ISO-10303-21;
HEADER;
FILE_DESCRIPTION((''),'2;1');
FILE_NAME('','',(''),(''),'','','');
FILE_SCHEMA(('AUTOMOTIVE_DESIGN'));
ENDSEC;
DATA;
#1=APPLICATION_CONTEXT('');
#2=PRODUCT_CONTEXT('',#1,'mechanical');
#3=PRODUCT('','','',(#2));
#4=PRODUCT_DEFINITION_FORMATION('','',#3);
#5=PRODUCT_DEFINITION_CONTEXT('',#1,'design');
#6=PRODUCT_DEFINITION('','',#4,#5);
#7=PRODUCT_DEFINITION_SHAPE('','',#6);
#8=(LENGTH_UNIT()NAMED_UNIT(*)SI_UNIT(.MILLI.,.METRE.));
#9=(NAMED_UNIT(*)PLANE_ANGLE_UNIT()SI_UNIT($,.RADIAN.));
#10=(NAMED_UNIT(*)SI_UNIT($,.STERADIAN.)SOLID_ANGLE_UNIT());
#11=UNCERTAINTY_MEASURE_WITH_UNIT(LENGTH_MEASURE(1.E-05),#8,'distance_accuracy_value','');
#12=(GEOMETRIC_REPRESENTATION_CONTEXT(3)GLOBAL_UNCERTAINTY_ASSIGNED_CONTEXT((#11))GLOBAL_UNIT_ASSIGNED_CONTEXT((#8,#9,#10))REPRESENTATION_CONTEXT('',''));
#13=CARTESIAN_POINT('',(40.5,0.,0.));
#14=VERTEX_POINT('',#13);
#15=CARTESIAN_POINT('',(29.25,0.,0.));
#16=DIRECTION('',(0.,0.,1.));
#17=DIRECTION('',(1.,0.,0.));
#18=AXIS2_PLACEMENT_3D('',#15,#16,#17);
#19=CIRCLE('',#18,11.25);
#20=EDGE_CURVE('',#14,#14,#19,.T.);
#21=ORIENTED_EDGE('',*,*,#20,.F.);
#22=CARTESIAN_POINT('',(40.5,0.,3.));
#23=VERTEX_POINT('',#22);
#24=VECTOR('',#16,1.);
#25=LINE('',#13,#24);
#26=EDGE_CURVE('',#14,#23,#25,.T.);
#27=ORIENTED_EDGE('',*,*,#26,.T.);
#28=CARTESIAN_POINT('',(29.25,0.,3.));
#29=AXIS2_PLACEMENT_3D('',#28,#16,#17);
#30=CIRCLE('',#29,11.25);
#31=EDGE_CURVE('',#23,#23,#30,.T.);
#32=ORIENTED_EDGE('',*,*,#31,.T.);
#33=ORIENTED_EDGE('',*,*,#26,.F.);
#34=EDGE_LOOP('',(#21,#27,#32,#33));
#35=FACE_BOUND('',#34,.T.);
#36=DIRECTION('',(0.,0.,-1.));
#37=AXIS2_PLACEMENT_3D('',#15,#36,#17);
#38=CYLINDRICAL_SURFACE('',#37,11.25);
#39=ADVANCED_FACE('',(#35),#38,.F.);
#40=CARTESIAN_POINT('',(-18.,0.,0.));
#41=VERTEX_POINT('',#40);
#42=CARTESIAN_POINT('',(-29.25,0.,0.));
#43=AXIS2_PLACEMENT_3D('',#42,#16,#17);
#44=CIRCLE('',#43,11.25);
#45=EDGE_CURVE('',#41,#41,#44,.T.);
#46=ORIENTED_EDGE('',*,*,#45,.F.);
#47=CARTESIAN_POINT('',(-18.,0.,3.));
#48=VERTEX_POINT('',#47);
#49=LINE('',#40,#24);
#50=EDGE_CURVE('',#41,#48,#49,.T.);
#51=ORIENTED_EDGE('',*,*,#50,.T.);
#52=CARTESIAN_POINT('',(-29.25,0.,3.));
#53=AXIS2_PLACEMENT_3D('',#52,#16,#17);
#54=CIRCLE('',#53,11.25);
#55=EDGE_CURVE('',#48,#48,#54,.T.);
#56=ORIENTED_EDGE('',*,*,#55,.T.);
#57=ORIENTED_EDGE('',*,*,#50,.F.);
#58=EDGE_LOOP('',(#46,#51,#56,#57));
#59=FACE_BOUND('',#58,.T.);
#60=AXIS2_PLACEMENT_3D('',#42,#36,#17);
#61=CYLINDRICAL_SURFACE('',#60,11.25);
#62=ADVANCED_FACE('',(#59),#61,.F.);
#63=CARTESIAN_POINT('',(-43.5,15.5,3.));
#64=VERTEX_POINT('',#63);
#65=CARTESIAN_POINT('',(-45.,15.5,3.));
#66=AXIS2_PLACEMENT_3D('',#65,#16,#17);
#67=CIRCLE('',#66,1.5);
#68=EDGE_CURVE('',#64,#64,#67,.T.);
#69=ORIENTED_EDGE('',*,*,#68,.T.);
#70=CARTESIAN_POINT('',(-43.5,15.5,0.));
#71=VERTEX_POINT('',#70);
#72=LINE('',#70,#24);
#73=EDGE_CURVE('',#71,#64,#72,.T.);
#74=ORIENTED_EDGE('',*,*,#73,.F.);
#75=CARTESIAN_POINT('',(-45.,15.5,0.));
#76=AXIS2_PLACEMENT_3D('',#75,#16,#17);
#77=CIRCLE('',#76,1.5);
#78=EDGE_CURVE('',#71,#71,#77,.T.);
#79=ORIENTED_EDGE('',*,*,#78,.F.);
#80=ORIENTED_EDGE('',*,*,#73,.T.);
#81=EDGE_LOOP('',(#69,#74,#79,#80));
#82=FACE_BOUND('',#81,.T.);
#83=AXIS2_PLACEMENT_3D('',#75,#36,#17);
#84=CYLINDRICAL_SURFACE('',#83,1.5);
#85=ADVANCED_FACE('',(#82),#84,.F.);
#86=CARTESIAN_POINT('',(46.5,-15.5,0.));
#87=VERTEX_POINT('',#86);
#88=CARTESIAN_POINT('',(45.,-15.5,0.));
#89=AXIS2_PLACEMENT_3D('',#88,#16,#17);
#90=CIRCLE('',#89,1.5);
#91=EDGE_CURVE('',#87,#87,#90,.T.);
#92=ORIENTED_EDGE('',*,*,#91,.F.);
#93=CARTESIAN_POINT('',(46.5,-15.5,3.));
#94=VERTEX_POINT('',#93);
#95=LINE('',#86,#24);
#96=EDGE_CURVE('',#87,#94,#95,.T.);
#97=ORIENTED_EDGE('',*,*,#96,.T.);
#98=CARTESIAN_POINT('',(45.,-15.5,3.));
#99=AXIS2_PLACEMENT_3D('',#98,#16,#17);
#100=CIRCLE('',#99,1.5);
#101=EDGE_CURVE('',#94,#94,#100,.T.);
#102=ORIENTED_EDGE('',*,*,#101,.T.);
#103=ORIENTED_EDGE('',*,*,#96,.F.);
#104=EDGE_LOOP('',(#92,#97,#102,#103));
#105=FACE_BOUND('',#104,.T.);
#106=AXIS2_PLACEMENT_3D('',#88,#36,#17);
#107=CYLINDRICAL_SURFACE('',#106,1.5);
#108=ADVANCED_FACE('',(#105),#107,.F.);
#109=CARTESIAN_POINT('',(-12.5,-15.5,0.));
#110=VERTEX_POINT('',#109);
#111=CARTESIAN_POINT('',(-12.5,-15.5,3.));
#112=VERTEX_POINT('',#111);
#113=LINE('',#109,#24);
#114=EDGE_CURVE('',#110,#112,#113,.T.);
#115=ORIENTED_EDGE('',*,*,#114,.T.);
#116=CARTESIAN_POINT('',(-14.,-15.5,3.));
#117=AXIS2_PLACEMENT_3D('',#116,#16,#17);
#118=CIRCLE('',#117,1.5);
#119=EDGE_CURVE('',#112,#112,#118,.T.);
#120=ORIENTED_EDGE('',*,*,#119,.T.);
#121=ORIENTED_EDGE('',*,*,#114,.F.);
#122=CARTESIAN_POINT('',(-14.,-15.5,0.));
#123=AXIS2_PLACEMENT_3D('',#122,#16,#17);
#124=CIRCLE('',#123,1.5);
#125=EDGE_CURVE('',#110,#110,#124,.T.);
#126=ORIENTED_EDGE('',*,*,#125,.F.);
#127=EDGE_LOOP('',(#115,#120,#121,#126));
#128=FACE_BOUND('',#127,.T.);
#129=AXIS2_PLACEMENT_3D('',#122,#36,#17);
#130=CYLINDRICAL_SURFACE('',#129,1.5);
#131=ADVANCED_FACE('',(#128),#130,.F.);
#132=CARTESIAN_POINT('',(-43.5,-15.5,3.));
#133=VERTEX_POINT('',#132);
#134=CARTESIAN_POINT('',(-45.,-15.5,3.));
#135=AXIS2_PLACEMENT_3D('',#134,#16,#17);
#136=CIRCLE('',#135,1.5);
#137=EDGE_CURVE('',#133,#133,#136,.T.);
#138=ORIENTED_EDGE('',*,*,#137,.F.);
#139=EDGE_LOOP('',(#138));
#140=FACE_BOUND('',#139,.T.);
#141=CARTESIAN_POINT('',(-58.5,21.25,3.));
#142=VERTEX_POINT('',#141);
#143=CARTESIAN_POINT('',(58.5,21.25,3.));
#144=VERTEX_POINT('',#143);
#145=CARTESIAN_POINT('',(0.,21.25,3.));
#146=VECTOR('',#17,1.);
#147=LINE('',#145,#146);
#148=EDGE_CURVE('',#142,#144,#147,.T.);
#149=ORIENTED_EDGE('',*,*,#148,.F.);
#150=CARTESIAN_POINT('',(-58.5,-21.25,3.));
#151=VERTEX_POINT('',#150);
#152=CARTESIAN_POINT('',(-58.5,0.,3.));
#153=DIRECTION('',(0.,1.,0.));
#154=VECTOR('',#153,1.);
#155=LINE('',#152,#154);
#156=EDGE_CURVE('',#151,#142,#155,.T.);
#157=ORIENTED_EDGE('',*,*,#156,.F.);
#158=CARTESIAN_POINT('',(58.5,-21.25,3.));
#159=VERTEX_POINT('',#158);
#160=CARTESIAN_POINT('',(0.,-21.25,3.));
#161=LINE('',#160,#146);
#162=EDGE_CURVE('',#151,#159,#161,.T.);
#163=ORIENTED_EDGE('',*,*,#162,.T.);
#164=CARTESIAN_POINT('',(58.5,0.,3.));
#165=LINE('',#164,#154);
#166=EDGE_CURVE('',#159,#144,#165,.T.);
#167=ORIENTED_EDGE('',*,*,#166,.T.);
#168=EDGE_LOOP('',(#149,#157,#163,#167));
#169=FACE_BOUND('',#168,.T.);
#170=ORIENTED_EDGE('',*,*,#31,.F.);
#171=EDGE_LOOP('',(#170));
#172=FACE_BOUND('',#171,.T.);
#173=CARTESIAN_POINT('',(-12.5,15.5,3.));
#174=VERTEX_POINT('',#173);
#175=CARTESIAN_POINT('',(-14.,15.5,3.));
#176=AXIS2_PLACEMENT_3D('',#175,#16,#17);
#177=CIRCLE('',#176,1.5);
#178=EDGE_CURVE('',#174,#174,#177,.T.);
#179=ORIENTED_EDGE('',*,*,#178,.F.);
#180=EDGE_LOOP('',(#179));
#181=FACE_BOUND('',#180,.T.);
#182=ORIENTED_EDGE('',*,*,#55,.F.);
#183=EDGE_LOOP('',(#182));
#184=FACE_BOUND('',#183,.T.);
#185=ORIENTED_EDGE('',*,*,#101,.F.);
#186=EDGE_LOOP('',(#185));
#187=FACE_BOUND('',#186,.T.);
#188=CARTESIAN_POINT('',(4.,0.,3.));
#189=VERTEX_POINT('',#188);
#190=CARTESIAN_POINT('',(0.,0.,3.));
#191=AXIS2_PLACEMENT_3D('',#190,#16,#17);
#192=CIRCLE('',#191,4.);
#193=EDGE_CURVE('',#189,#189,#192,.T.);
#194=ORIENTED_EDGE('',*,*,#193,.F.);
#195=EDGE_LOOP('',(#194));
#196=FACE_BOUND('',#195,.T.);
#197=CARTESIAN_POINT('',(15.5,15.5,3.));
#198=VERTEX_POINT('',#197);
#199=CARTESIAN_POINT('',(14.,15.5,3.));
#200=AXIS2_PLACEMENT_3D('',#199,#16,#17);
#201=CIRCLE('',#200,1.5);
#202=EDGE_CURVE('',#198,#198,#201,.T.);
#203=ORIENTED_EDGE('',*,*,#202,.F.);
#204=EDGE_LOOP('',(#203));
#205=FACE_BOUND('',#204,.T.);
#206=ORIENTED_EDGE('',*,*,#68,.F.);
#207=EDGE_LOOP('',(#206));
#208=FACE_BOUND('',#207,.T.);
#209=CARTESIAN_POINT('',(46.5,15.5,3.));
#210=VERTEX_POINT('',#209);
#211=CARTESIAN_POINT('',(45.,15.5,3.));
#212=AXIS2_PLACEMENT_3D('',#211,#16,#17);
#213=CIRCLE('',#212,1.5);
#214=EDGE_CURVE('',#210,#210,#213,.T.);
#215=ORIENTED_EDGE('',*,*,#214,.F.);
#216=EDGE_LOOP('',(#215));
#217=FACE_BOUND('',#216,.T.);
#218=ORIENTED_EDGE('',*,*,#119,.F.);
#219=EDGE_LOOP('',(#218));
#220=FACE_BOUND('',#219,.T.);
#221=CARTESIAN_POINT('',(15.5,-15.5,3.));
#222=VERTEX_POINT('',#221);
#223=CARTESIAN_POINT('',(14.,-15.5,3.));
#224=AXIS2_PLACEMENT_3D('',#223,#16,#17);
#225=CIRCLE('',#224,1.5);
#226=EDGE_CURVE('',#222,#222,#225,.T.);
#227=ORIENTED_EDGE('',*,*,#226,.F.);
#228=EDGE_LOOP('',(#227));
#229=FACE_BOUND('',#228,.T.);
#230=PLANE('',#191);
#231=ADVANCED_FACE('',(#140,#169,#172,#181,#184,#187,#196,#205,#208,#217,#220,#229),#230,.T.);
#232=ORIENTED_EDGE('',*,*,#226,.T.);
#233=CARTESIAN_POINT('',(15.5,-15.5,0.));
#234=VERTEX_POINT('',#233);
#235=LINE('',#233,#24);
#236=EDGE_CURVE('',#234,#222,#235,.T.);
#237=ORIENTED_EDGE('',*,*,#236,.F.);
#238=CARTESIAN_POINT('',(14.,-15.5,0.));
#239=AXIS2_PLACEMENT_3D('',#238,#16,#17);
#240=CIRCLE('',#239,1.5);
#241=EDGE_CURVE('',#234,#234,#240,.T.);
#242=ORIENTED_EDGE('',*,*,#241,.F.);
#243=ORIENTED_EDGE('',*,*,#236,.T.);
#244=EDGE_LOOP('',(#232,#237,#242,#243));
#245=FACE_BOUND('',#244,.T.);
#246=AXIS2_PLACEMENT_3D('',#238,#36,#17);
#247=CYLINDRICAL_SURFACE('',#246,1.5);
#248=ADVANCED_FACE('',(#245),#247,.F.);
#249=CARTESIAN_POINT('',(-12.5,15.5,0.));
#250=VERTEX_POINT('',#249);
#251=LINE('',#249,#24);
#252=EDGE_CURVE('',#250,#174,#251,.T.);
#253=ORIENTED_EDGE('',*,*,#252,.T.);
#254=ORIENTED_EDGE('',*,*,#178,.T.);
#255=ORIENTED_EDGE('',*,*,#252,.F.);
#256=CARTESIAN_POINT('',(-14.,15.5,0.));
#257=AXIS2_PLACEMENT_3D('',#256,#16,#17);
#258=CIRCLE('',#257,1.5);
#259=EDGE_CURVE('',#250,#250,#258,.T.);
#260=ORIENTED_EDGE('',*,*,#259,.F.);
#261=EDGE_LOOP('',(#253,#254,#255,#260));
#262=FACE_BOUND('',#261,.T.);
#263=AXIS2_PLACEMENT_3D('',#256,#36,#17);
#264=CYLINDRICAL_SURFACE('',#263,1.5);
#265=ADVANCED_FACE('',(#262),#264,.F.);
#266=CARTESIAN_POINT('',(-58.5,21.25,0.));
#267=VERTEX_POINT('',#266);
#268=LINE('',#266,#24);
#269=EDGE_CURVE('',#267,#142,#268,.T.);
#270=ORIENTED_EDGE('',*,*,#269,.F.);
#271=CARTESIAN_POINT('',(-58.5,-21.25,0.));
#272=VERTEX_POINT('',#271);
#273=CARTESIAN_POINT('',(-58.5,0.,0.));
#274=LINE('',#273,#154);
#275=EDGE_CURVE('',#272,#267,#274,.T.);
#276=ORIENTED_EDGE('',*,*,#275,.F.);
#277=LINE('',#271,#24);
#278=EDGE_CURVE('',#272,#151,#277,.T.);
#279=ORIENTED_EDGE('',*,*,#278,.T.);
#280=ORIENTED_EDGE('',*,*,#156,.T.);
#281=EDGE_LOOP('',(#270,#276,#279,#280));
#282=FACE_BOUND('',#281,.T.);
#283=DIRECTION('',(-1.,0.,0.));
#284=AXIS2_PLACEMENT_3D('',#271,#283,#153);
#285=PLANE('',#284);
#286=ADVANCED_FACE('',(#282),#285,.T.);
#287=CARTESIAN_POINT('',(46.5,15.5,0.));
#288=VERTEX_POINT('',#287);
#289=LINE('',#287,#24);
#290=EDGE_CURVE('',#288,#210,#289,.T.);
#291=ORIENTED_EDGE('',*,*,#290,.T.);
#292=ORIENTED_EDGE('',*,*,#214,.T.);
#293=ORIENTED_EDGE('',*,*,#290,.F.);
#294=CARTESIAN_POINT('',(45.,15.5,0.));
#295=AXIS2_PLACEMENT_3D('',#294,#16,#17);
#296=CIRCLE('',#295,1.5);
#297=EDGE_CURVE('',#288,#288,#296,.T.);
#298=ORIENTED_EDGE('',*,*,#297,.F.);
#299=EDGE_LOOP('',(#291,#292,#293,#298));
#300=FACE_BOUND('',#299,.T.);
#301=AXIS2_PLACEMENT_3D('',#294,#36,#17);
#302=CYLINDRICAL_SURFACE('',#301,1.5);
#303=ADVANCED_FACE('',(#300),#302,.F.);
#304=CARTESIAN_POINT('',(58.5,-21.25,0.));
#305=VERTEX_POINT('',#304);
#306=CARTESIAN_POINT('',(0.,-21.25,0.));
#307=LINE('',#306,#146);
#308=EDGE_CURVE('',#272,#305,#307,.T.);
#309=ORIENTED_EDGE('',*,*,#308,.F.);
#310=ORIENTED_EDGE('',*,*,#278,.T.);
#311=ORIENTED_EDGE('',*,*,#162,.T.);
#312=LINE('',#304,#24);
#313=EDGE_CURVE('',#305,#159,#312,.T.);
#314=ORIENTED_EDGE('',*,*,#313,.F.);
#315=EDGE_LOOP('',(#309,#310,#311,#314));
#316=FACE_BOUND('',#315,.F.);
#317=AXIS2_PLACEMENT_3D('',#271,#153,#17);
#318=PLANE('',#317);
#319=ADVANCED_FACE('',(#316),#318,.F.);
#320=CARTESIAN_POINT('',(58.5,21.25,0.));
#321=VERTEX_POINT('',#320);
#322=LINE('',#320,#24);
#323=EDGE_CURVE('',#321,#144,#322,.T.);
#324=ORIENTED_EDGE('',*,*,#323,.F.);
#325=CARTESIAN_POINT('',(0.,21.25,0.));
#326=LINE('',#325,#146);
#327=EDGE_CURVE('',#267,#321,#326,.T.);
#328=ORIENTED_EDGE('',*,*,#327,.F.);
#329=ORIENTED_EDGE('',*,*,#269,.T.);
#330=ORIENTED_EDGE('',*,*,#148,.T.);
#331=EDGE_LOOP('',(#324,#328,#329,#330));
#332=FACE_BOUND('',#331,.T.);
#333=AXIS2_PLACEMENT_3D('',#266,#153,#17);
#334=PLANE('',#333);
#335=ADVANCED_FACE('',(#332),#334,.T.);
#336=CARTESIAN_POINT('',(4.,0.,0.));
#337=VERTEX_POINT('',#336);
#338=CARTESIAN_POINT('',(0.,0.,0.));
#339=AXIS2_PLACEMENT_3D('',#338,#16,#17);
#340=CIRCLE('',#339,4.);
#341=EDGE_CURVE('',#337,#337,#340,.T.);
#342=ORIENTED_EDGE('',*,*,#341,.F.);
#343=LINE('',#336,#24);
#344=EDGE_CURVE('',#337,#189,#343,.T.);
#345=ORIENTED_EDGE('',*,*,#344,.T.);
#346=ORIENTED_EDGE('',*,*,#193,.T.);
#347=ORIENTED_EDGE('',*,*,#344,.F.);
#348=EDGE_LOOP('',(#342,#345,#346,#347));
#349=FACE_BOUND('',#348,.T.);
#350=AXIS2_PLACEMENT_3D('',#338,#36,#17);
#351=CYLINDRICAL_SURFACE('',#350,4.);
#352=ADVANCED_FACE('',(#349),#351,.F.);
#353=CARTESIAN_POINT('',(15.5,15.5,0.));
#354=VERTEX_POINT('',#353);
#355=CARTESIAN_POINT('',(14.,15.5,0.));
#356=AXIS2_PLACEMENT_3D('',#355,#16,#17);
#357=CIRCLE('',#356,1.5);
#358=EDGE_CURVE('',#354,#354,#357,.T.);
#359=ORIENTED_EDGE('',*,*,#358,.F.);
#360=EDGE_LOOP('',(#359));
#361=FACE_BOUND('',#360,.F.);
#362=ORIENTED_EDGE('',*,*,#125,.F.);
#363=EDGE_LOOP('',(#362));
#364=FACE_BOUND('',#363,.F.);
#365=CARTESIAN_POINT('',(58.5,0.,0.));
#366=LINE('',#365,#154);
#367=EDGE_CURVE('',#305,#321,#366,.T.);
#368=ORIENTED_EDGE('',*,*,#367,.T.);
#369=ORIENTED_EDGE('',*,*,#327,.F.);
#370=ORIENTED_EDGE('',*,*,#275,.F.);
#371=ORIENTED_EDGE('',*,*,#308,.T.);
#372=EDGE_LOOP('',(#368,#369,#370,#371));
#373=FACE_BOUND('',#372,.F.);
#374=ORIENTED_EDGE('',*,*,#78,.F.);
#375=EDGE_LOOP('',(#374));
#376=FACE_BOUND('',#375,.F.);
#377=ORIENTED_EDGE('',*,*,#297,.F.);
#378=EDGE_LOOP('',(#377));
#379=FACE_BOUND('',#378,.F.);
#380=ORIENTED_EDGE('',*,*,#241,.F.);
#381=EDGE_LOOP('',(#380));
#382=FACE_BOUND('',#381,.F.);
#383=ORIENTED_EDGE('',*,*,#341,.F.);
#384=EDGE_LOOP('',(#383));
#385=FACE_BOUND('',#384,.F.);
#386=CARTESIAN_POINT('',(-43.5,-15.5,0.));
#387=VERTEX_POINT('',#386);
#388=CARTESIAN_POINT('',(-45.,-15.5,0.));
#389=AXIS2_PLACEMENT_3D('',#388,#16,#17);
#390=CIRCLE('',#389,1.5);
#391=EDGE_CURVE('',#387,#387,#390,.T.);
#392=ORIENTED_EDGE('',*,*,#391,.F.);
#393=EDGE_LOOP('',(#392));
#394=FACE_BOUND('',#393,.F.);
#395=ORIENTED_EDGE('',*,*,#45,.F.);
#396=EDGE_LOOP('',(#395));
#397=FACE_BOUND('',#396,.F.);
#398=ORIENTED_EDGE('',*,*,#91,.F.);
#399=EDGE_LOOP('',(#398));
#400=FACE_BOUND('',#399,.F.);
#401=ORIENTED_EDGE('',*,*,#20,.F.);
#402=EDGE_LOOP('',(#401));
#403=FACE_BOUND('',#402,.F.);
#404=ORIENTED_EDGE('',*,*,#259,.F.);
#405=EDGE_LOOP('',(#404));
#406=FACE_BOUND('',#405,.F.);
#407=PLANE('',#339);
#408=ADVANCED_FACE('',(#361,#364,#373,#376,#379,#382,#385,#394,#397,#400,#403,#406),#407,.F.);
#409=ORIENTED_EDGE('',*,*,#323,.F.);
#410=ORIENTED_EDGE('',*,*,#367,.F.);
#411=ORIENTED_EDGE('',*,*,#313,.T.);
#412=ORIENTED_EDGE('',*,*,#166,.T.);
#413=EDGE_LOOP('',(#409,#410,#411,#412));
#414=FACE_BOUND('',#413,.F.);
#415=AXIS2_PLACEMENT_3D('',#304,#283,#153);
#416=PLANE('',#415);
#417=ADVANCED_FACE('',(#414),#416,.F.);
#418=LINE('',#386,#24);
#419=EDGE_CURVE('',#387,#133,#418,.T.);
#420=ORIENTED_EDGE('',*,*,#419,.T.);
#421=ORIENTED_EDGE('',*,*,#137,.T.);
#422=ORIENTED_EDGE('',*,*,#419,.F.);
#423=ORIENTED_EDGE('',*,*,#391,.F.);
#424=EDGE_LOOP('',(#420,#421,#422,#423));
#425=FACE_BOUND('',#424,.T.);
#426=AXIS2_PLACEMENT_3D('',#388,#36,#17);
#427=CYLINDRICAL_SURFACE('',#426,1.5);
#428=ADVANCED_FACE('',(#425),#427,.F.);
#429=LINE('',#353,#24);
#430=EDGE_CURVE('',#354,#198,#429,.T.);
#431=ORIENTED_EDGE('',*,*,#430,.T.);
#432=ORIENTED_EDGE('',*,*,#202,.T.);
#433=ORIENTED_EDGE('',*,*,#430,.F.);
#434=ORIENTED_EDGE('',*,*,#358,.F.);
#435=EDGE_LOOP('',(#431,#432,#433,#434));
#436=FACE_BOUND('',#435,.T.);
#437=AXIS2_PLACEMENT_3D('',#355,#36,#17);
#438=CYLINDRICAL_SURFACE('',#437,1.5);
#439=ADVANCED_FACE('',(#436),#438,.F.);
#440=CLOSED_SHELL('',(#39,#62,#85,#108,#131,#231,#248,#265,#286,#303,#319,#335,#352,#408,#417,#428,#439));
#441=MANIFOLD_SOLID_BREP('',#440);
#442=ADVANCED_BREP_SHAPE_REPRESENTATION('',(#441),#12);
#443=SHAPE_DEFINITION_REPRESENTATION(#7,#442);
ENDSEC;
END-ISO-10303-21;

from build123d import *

# Parameters (mm, degrees)
SKETCH_W   = 117
SKETCH_H   = 42.5
SKETCH_R   = 11.25
SKETCH_R_2 = 4
SKETCH_R_3 = 1.5
PAD_DEPTH  = 3


with BuildPart() as part:
    # Sketch → Pad (new body)
    with BuildSketch(Plane.XY):
        Rectangle(SKETCH_W, SKETCH_H)
        with Locations((-29.25, 0)):
            Circle(SKETCH_R, mode=Mode.SUBTRACT)
        with Locations((29.25, 0)):
            Circle(SKETCH_R, mode=Mode.SUBTRACT)
        Circle(SKETCH_R_2, mode=Mode.SUBTRACT)
        with Locations((-45, 15.5)):
            Circle(SKETCH_R_3, mode=Mode.SUBTRACT)
        with Locations((-14, 15.5)):
            Circle(SKETCH_R_3, mode=Mode.SUBTRACT)
        with Locations((-14, -15.5)):
            Circle(SKETCH_R_3, mode=Mode.SUBTRACT)
        with Locations((-45, -15.5)):
            Circle(SKETCH_R_3, mode=Mode.SUBTRACT)
        with Locations((14, 15.5)):
            Circle(SKETCH_R_3, mode=Mode.SUBTRACT)
        with Locations((45, 15.5)):
            Circle(SKETCH_R_3, mode=Mode.SUBTRACT)
        with Locations((45, -15.5)):
            Circle(SKETCH_R_3, mode=Mode.SUBTRACT)
        with Locations((14, -15.5)):
            Circle(SKETCH_R_3, mode=Mode.SUBTRACT)
    extrude(amount=PAD_DEPTH)


solid = part.part
